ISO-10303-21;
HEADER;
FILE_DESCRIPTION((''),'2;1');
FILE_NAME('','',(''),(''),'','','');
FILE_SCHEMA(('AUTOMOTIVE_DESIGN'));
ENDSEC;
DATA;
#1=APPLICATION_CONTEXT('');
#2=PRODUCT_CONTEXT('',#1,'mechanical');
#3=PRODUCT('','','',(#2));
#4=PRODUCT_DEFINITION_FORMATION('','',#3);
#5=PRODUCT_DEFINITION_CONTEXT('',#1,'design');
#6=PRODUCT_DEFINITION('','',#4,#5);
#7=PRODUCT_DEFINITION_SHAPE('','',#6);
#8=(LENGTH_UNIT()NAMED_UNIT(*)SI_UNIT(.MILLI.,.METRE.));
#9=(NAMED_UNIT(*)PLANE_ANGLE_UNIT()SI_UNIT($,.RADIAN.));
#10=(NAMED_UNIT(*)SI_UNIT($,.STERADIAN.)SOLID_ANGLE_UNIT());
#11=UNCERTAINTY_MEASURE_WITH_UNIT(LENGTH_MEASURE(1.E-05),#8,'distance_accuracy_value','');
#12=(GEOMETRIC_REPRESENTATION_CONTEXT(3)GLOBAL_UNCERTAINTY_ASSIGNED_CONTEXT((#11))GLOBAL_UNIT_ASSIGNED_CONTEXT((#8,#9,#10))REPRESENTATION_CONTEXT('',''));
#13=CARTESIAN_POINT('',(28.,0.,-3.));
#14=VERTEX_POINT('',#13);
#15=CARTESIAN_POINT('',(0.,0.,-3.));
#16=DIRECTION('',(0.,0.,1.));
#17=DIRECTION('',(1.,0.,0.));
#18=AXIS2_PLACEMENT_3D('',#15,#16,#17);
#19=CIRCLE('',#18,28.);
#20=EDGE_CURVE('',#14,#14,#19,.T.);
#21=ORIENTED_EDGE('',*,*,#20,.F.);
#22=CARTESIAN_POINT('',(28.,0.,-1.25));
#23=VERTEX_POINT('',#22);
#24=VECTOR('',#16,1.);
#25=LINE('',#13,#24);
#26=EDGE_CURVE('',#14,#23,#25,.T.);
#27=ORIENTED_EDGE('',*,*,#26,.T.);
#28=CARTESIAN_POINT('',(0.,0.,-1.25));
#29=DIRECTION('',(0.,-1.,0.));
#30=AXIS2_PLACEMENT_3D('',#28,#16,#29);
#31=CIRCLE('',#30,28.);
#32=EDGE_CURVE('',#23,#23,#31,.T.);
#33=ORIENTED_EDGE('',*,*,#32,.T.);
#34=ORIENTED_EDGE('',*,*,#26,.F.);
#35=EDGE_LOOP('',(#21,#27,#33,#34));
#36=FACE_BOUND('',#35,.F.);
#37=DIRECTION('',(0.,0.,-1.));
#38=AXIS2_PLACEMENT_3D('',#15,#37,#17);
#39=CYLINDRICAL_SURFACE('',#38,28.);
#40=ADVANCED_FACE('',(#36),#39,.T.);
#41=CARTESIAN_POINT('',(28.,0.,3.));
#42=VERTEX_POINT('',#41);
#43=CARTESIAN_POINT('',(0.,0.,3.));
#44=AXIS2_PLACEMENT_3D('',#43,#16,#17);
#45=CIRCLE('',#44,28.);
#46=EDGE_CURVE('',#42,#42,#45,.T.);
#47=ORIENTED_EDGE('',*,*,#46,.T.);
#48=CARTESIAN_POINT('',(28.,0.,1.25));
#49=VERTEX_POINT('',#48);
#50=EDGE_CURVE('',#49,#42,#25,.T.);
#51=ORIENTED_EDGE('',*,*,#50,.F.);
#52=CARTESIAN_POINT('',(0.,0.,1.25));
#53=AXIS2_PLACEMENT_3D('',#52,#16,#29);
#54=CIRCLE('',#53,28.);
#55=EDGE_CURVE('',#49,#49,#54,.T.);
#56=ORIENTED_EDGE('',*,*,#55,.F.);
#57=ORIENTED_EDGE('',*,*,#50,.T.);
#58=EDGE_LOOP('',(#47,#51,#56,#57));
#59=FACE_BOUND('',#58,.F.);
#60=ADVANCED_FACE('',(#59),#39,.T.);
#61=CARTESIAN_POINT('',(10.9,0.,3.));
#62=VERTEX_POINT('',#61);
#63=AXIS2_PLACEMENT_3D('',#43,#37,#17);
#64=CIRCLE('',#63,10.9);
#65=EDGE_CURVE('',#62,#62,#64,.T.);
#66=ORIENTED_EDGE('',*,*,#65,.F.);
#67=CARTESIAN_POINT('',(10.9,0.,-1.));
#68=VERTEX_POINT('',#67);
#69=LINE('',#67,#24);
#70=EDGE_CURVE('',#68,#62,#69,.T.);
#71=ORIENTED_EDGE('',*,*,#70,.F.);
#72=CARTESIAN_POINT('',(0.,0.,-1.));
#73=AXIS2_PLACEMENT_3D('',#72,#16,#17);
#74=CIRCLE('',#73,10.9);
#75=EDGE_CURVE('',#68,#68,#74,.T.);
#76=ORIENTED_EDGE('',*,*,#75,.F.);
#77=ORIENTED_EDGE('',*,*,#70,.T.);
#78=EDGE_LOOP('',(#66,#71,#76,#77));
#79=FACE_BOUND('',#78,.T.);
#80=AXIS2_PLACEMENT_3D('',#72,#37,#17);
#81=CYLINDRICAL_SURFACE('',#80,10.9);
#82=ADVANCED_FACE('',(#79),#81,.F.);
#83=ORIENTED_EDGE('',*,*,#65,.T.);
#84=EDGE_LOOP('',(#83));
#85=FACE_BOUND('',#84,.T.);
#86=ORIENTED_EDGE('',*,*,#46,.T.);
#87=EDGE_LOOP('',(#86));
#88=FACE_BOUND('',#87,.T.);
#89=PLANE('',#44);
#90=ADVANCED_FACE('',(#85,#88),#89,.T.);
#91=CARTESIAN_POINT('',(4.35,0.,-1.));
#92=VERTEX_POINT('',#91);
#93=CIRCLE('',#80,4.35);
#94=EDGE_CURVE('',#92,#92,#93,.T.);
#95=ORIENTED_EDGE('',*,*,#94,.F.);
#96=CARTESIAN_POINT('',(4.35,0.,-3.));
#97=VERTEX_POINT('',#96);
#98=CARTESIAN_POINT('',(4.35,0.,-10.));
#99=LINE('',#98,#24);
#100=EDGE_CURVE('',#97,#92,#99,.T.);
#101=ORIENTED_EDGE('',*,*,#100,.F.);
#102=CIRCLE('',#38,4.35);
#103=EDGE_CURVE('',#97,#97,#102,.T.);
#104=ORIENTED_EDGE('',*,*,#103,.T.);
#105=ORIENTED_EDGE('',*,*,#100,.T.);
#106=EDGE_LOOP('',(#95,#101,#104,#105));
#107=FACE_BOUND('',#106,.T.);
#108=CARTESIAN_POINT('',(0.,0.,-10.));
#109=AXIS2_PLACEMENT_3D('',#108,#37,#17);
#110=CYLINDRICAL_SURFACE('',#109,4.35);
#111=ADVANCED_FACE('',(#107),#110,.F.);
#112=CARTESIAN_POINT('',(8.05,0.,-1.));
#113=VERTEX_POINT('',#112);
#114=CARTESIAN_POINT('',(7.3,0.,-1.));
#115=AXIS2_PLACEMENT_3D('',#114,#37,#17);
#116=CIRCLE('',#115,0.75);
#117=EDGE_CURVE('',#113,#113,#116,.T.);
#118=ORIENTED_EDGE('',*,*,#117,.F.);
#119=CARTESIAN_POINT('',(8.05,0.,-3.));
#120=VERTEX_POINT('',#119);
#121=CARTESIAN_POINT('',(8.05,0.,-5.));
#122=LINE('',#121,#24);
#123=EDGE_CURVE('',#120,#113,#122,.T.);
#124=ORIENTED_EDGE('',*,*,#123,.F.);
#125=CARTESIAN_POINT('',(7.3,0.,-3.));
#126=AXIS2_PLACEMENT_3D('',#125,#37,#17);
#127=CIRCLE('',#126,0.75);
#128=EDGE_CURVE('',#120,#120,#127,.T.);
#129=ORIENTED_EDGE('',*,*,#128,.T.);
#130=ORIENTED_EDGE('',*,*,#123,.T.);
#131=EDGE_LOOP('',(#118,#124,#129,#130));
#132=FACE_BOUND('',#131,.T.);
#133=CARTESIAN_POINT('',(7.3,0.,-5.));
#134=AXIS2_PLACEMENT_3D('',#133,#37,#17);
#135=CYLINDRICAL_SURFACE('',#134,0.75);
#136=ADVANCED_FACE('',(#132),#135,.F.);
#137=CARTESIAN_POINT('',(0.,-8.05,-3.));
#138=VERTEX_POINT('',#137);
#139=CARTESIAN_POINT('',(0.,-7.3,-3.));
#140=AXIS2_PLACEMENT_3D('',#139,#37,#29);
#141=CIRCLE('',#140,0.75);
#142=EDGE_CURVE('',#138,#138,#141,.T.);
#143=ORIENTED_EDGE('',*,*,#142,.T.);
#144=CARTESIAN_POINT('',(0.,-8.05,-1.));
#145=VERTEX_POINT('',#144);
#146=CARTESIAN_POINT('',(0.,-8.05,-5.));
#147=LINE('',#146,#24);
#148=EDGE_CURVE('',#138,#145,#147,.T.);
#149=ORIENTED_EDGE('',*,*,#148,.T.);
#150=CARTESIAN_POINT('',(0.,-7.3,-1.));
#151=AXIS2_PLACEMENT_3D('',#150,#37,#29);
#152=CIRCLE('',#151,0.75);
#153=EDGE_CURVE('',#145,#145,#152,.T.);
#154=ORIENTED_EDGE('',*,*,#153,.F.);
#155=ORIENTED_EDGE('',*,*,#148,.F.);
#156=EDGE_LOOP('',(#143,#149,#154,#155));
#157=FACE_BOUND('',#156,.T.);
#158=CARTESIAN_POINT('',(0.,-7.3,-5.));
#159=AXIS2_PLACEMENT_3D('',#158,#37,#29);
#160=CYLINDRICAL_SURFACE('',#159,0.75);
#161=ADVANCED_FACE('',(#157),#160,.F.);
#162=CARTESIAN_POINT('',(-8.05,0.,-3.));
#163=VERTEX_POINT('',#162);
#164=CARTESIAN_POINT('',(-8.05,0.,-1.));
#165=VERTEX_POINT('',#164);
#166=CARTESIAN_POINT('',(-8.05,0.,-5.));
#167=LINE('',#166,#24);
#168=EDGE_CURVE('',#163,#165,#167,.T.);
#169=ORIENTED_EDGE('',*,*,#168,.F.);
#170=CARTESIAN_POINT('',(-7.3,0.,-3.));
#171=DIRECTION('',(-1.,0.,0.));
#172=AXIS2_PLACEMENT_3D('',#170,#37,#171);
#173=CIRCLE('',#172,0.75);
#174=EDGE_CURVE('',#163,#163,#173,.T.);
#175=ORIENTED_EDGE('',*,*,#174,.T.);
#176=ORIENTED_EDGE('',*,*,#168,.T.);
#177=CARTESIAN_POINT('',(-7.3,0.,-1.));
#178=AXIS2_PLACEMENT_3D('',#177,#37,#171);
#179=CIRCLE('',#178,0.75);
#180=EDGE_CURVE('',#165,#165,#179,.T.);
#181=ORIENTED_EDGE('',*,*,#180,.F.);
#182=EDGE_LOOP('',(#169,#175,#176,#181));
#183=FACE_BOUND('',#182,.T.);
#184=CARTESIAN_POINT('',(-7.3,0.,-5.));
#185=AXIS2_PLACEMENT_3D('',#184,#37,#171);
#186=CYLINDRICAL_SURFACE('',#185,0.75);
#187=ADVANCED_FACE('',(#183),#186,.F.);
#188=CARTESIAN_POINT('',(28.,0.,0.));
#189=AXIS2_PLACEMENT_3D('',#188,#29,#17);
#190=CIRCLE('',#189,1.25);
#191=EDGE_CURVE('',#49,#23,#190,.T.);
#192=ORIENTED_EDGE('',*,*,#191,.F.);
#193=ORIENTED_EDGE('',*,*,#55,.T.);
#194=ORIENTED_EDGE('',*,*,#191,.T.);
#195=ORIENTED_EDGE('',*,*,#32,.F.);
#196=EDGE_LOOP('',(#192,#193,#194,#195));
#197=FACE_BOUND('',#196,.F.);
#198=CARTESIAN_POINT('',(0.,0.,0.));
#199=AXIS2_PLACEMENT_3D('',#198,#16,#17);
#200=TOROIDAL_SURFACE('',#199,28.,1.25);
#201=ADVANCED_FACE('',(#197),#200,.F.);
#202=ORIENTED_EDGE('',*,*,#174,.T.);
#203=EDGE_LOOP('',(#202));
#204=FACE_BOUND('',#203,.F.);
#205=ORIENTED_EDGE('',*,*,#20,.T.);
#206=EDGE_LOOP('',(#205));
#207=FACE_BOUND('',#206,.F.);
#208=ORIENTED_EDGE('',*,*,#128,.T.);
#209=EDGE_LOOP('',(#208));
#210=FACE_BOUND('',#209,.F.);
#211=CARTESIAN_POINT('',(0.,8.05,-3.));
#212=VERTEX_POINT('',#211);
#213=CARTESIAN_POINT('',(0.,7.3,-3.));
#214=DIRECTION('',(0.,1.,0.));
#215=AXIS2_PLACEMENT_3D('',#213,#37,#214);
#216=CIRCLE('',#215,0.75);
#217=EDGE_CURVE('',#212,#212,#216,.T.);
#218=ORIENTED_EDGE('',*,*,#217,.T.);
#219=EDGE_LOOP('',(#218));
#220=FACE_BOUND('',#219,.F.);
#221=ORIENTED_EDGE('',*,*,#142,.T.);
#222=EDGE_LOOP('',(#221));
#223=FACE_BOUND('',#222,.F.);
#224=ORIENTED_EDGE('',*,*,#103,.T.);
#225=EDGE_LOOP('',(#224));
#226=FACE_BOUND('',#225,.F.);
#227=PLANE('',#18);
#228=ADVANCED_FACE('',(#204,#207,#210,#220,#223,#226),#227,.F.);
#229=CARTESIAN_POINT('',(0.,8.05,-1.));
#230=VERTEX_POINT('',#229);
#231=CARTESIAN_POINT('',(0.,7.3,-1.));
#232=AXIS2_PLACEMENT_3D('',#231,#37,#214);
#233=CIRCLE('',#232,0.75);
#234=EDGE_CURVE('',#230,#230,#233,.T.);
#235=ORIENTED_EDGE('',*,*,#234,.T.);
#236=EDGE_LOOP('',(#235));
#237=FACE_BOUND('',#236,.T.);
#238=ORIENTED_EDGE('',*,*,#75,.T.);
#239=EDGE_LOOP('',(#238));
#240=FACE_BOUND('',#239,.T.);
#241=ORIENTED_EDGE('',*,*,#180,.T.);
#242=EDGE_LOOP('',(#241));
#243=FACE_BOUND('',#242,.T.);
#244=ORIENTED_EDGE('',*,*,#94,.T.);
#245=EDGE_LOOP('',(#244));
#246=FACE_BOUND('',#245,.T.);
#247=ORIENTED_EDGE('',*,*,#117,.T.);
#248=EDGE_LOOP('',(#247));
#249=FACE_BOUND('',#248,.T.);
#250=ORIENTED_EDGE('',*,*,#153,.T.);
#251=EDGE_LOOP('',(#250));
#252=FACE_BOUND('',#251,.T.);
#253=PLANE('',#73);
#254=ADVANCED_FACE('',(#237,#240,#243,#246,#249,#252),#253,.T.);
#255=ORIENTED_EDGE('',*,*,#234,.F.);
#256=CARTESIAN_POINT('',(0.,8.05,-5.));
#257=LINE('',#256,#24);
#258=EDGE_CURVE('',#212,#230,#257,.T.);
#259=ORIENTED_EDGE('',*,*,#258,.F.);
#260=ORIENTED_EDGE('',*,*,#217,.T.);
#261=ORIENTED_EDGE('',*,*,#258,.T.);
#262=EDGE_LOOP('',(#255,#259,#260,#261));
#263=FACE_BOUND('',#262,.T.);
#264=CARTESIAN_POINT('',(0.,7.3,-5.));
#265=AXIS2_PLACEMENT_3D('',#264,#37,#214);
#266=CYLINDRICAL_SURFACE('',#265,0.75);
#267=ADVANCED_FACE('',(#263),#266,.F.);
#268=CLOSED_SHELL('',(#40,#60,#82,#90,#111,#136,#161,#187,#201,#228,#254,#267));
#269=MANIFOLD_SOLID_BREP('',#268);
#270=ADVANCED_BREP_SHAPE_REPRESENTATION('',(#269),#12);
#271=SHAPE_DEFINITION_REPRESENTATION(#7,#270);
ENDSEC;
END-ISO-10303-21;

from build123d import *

# Parameters (mm, degrees)
CYLINDER003_R     = 0.75
CYLINDER003_DEPTH = 10
ARRAY_COUNT       = 4
CYLINDER002_R     = 4.35
CYLINDER002_DEPTH = 10
CYLINDER001_R     = 10.9
CYLINDER001_DEPTH = 10
TORUS_R           = 1.25
CYLINDER_R        = 28
CYLINDER_DEPTH    = 6


with BuildPart() as array:
    # Cylinder003 → Cylinder003 (new body)
    with BuildSketch(Plane(origin=(7.3, 0, -5), x_dir=(1, 0, 0), z_dir=(0, 0, 1))):
        Circle(CYLINDER003_R)
    extrude(amount=CYLINDER003_DEPTH)

    # Array: Array ×4 about axis
    array_axis = Axis((0, 0, 0), (0, 0, 1))


with BuildPart() as array_1:
    add(array.part)
    for i in range(1, ARRAY_COUNT):
        add(array.part.rotate(array_axis, i * 360 / ARRAY_COUNT))


with BuildPart() as hueco_eje:
    # Cylinder002 → Cylinder002 (new body)
    with BuildSketch(Plane.XY.offset(-10)):
        Circle(CYLINDER002_R)
    extrude(amount=CYLINDER002_DEPTH)


with BuildPart() as cylinder:
    # Cylinder001 → Cylinder001 (new body)
    with BuildSketch(Plane.XY.offset(-1)):
        Circle(CYLINDER001_R)
    extrude(amount=CYLINDER001_DEPTH)


with BuildPart() as junta_torica:
    # Torus → Torus (revolve)
    with BuildSketch(Plane.XZ):
        with Locations((28, 0)):
            Circle(TORUS_R)
    revolve(axis=Axis((0, 0, 0), (0, 0, 1)))


with BuildPart() as cut003:
    # Cylinder → Cylinder (new body)
    with BuildSketch(Plane.XY.offset(-3)):
        Circle(CYLINDER_R)
    extrude(amount=CYLINDER_DEPTH)

    # Cut: cut junta_torica
    add(junta_torica.part, mode=Mode.SUBTRACT)

    # Cut001: cut Cylinder
    add(cylinder.part, mode=Mode.SUBTRACT)

    # Cut002: cut hueco_eje
    add(hueco_eje.part, mode=Mode.SUBTRACT)

    # Cut003: cut Array
    add(array_1.part, mode=Mode.SUBTRACT)


solid = cut003.part
